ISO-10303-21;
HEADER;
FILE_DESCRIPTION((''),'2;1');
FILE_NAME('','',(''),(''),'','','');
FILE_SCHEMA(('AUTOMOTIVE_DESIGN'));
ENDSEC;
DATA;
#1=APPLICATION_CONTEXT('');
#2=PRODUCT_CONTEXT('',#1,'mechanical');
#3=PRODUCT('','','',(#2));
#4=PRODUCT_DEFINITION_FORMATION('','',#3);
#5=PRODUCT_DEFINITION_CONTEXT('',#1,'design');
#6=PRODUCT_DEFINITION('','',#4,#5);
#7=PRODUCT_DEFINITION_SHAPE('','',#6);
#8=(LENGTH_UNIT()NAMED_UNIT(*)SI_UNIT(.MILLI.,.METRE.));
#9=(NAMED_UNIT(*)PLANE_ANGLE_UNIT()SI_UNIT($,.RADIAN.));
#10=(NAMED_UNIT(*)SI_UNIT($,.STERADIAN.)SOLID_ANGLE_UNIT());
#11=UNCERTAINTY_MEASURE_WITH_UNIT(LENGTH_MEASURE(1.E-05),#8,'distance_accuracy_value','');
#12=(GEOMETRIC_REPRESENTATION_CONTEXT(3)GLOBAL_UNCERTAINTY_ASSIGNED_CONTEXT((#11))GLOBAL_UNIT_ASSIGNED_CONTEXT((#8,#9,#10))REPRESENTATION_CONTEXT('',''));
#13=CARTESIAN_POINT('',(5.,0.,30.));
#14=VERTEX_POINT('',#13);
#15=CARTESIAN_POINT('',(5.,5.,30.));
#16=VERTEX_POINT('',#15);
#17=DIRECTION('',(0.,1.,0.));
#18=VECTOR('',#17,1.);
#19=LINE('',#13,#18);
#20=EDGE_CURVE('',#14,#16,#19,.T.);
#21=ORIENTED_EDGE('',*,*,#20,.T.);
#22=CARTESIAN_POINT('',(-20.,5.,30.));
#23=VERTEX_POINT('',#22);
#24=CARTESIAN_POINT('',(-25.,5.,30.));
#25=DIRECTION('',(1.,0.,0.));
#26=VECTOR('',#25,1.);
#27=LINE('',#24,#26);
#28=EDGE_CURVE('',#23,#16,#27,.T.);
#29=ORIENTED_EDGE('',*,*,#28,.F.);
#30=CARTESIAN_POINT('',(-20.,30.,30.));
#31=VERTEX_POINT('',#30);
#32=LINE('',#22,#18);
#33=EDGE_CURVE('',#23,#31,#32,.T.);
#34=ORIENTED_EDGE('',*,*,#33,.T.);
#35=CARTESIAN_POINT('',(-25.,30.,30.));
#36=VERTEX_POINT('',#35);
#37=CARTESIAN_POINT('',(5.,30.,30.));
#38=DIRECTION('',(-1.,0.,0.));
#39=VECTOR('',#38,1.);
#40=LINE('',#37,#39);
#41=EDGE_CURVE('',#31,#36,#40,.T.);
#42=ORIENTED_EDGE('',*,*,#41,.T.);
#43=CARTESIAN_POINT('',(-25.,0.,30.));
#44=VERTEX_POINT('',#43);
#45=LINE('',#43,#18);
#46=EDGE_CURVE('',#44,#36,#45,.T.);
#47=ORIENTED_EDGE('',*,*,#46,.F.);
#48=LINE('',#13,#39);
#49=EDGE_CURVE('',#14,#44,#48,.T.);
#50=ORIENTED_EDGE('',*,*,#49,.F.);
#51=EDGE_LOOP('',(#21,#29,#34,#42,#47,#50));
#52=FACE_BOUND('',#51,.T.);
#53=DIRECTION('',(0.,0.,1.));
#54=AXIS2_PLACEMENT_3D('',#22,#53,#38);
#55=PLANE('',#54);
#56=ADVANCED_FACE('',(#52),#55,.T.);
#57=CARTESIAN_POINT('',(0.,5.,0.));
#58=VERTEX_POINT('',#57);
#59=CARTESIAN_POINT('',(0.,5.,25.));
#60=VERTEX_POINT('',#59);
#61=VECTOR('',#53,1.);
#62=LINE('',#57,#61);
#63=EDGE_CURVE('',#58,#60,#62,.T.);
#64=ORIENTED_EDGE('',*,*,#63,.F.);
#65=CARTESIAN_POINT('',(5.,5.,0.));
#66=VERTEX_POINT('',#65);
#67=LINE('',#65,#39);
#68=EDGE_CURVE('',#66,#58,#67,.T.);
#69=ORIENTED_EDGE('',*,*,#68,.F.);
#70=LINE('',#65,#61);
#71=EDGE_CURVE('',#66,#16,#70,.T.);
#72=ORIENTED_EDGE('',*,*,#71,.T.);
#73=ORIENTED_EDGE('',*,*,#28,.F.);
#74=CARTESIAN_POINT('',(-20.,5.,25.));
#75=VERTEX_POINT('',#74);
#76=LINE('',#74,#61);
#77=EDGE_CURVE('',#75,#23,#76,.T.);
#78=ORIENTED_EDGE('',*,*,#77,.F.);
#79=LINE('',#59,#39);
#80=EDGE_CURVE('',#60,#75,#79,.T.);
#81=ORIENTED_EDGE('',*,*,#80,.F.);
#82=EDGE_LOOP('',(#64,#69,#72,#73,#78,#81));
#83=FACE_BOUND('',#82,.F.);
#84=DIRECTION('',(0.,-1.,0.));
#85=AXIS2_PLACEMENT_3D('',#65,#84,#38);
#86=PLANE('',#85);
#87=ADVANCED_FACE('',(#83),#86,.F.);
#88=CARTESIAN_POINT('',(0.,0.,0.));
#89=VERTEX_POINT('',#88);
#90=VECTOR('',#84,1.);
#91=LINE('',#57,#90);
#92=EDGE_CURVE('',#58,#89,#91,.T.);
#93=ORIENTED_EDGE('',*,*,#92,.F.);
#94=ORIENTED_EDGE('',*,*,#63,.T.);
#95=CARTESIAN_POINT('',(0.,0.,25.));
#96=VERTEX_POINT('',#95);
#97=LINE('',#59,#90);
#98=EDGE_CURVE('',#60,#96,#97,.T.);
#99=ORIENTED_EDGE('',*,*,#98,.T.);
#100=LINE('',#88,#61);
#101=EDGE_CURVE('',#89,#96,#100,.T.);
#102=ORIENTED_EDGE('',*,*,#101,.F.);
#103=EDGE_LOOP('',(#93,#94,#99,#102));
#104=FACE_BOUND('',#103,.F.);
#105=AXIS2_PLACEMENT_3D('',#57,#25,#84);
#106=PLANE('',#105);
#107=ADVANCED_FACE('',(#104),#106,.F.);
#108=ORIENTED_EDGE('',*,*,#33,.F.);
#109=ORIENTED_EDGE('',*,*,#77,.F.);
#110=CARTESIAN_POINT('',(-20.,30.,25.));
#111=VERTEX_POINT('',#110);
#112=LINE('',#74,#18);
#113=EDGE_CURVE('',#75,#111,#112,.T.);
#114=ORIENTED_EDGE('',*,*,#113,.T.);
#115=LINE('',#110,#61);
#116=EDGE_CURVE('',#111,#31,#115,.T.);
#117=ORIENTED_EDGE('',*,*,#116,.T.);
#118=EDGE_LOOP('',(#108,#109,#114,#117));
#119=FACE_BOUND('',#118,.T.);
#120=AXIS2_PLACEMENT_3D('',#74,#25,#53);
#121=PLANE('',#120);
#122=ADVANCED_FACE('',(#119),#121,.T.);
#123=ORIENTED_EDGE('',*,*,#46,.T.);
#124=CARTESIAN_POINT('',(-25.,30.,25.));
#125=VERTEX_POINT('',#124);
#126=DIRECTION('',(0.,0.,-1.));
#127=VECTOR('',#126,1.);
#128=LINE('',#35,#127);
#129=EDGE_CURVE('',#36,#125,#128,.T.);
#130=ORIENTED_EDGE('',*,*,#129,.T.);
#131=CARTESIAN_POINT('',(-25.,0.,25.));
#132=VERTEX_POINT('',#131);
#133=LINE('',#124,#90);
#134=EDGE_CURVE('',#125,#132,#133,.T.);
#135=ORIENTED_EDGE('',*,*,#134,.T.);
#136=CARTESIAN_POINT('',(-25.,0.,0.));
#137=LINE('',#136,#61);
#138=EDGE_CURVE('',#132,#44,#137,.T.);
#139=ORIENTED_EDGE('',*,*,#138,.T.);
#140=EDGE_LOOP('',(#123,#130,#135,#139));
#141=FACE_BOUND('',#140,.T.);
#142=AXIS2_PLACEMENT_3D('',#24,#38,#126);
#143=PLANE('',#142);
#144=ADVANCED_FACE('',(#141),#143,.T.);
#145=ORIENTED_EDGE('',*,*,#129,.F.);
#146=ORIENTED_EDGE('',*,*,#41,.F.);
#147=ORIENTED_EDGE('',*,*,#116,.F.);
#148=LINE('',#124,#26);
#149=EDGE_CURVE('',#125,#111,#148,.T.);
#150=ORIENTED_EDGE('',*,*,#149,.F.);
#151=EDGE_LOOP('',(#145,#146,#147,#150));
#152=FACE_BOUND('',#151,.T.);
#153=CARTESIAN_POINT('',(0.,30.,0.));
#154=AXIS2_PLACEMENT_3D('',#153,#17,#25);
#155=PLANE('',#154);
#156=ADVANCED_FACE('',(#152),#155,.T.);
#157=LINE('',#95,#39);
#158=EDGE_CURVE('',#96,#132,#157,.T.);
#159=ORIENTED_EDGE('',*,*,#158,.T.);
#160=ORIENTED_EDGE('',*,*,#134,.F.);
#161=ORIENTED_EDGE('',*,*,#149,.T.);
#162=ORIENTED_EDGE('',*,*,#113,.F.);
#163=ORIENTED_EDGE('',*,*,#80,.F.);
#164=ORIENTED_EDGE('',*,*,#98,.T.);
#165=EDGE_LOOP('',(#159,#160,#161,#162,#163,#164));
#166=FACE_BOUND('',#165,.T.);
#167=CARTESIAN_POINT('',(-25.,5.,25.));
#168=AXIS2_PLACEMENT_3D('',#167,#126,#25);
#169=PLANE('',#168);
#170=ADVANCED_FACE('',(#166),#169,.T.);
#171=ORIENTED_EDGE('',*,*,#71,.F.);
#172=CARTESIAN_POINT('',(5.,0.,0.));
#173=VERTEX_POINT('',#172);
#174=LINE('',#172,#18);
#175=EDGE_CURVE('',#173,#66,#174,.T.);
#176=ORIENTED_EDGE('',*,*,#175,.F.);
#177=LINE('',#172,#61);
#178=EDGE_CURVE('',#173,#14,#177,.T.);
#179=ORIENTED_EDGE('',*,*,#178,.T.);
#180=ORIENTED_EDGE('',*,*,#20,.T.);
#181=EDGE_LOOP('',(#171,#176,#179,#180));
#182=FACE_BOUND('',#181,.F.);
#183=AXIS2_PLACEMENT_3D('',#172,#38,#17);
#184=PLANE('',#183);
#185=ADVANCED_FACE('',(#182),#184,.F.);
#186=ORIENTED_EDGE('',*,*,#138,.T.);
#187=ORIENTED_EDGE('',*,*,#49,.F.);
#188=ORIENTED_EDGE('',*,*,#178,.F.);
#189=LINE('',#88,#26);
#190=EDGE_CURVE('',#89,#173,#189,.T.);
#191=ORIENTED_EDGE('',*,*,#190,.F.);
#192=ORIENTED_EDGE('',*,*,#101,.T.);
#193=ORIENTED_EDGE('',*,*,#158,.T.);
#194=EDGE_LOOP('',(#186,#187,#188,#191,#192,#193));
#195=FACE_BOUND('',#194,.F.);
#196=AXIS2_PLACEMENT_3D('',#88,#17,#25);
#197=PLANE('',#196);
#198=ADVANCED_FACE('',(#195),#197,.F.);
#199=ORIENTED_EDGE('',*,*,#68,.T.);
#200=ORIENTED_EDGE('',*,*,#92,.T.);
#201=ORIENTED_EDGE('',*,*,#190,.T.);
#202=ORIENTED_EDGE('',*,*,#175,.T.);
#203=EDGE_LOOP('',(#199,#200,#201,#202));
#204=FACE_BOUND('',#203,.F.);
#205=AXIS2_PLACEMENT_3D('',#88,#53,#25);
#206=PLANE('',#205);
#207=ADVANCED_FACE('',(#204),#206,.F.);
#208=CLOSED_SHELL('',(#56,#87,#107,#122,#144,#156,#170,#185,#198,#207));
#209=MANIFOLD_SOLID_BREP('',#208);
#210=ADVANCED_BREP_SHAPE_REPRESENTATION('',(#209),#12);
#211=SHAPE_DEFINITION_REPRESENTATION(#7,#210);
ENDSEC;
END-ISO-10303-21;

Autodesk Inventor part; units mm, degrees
ref_plane "YZ Plane" through (0, 0, 0) normal (1, 0, 0) x (0, 1, 0)
ref_plane "XZ Plane" through (0, 0, 0) normal (0, 1, 0) x (-1, 0, 0)
ref_plane "XY Plane" through (0, 0, 0) normal (0, 0, 1) x (1, 0, 0)
sketch "草圖1" plane through (0, 0, 0) normal (0, 0, 1) x (1, 0, 0)
  line L0 (0, 0) -> (5, 0)
  line L1 (5, 0) -> (5, 5)
  line L2 (5, 5) -> (0, 5)
  line L3 (0, 5) -> (0, 0)
  dimension "d0" = 5
  dimension "d1" = 5
extrude "擠出1" add sketch "草圖1" along normal blind 30
sketch "草圖2" plane through (0, 0, 0) normal (-1, 0, 0) x (0, 0, 1)
  line L0 (30, 0) -> (30, 5) projected
  line L1 (0, 0) -> (30, 0) projected
  line L2 (30, 5) -> (25, 5)
  line L3 (25, 5) -> (25, 0)
  line L4 (25, 0) -> (30, 0)
  line L5 (30, 0) -> (30, 5)
  dimension "d4" = 5
extrude "擠出2" add sketch "草圖2" along normal blind 25
sketch "草圖3" plane through (0, 5, 0) normal (0, 1, 0) x (1, 0, 0)
  line L0 (-25, -30) -> (-25, -25) projected
  line L1 (5, -30) -> (-25, -30) projected
  line L2 (-25, -25) -> (-20, -25)
  line L3 (-20, -25) -> (-20, -30)
  line L4 (-20, -30) -> (-25, -30)
  line L5 (-25, -30) -> (-25, -25)
  point P0 (0, 0)
  dimension "d7" = 5
extrude "擠出3" add sketch "草圖3" along normal blind 25
sketch "草圖4" plane through (0, 0, 0) normal (0, -1, 0) x (1, 0, 0)
  line L0 (5, 0) -> (0, 5)
  line L1 (5, 5) -> (0, 10)
  dimension "d11" = 5
sketch "草圖5" plane through (5, 0, 0) normal (1, 0, 0) x (0, 0, -1)
  line L0 (0, 0) -> (0, 5) projected
  line L1 (0, 0) -> (-30, 0) projected
  line L2 (0, 5) -> (-5, 5)
  line L3 (-5, 5) -> (-5, 0)
  line L4 (-5, 0) -> (0, 0)
  line L5 (0, 0) -> (0, 5)
  dimension "d10" = 5
properties part number "triangle"
